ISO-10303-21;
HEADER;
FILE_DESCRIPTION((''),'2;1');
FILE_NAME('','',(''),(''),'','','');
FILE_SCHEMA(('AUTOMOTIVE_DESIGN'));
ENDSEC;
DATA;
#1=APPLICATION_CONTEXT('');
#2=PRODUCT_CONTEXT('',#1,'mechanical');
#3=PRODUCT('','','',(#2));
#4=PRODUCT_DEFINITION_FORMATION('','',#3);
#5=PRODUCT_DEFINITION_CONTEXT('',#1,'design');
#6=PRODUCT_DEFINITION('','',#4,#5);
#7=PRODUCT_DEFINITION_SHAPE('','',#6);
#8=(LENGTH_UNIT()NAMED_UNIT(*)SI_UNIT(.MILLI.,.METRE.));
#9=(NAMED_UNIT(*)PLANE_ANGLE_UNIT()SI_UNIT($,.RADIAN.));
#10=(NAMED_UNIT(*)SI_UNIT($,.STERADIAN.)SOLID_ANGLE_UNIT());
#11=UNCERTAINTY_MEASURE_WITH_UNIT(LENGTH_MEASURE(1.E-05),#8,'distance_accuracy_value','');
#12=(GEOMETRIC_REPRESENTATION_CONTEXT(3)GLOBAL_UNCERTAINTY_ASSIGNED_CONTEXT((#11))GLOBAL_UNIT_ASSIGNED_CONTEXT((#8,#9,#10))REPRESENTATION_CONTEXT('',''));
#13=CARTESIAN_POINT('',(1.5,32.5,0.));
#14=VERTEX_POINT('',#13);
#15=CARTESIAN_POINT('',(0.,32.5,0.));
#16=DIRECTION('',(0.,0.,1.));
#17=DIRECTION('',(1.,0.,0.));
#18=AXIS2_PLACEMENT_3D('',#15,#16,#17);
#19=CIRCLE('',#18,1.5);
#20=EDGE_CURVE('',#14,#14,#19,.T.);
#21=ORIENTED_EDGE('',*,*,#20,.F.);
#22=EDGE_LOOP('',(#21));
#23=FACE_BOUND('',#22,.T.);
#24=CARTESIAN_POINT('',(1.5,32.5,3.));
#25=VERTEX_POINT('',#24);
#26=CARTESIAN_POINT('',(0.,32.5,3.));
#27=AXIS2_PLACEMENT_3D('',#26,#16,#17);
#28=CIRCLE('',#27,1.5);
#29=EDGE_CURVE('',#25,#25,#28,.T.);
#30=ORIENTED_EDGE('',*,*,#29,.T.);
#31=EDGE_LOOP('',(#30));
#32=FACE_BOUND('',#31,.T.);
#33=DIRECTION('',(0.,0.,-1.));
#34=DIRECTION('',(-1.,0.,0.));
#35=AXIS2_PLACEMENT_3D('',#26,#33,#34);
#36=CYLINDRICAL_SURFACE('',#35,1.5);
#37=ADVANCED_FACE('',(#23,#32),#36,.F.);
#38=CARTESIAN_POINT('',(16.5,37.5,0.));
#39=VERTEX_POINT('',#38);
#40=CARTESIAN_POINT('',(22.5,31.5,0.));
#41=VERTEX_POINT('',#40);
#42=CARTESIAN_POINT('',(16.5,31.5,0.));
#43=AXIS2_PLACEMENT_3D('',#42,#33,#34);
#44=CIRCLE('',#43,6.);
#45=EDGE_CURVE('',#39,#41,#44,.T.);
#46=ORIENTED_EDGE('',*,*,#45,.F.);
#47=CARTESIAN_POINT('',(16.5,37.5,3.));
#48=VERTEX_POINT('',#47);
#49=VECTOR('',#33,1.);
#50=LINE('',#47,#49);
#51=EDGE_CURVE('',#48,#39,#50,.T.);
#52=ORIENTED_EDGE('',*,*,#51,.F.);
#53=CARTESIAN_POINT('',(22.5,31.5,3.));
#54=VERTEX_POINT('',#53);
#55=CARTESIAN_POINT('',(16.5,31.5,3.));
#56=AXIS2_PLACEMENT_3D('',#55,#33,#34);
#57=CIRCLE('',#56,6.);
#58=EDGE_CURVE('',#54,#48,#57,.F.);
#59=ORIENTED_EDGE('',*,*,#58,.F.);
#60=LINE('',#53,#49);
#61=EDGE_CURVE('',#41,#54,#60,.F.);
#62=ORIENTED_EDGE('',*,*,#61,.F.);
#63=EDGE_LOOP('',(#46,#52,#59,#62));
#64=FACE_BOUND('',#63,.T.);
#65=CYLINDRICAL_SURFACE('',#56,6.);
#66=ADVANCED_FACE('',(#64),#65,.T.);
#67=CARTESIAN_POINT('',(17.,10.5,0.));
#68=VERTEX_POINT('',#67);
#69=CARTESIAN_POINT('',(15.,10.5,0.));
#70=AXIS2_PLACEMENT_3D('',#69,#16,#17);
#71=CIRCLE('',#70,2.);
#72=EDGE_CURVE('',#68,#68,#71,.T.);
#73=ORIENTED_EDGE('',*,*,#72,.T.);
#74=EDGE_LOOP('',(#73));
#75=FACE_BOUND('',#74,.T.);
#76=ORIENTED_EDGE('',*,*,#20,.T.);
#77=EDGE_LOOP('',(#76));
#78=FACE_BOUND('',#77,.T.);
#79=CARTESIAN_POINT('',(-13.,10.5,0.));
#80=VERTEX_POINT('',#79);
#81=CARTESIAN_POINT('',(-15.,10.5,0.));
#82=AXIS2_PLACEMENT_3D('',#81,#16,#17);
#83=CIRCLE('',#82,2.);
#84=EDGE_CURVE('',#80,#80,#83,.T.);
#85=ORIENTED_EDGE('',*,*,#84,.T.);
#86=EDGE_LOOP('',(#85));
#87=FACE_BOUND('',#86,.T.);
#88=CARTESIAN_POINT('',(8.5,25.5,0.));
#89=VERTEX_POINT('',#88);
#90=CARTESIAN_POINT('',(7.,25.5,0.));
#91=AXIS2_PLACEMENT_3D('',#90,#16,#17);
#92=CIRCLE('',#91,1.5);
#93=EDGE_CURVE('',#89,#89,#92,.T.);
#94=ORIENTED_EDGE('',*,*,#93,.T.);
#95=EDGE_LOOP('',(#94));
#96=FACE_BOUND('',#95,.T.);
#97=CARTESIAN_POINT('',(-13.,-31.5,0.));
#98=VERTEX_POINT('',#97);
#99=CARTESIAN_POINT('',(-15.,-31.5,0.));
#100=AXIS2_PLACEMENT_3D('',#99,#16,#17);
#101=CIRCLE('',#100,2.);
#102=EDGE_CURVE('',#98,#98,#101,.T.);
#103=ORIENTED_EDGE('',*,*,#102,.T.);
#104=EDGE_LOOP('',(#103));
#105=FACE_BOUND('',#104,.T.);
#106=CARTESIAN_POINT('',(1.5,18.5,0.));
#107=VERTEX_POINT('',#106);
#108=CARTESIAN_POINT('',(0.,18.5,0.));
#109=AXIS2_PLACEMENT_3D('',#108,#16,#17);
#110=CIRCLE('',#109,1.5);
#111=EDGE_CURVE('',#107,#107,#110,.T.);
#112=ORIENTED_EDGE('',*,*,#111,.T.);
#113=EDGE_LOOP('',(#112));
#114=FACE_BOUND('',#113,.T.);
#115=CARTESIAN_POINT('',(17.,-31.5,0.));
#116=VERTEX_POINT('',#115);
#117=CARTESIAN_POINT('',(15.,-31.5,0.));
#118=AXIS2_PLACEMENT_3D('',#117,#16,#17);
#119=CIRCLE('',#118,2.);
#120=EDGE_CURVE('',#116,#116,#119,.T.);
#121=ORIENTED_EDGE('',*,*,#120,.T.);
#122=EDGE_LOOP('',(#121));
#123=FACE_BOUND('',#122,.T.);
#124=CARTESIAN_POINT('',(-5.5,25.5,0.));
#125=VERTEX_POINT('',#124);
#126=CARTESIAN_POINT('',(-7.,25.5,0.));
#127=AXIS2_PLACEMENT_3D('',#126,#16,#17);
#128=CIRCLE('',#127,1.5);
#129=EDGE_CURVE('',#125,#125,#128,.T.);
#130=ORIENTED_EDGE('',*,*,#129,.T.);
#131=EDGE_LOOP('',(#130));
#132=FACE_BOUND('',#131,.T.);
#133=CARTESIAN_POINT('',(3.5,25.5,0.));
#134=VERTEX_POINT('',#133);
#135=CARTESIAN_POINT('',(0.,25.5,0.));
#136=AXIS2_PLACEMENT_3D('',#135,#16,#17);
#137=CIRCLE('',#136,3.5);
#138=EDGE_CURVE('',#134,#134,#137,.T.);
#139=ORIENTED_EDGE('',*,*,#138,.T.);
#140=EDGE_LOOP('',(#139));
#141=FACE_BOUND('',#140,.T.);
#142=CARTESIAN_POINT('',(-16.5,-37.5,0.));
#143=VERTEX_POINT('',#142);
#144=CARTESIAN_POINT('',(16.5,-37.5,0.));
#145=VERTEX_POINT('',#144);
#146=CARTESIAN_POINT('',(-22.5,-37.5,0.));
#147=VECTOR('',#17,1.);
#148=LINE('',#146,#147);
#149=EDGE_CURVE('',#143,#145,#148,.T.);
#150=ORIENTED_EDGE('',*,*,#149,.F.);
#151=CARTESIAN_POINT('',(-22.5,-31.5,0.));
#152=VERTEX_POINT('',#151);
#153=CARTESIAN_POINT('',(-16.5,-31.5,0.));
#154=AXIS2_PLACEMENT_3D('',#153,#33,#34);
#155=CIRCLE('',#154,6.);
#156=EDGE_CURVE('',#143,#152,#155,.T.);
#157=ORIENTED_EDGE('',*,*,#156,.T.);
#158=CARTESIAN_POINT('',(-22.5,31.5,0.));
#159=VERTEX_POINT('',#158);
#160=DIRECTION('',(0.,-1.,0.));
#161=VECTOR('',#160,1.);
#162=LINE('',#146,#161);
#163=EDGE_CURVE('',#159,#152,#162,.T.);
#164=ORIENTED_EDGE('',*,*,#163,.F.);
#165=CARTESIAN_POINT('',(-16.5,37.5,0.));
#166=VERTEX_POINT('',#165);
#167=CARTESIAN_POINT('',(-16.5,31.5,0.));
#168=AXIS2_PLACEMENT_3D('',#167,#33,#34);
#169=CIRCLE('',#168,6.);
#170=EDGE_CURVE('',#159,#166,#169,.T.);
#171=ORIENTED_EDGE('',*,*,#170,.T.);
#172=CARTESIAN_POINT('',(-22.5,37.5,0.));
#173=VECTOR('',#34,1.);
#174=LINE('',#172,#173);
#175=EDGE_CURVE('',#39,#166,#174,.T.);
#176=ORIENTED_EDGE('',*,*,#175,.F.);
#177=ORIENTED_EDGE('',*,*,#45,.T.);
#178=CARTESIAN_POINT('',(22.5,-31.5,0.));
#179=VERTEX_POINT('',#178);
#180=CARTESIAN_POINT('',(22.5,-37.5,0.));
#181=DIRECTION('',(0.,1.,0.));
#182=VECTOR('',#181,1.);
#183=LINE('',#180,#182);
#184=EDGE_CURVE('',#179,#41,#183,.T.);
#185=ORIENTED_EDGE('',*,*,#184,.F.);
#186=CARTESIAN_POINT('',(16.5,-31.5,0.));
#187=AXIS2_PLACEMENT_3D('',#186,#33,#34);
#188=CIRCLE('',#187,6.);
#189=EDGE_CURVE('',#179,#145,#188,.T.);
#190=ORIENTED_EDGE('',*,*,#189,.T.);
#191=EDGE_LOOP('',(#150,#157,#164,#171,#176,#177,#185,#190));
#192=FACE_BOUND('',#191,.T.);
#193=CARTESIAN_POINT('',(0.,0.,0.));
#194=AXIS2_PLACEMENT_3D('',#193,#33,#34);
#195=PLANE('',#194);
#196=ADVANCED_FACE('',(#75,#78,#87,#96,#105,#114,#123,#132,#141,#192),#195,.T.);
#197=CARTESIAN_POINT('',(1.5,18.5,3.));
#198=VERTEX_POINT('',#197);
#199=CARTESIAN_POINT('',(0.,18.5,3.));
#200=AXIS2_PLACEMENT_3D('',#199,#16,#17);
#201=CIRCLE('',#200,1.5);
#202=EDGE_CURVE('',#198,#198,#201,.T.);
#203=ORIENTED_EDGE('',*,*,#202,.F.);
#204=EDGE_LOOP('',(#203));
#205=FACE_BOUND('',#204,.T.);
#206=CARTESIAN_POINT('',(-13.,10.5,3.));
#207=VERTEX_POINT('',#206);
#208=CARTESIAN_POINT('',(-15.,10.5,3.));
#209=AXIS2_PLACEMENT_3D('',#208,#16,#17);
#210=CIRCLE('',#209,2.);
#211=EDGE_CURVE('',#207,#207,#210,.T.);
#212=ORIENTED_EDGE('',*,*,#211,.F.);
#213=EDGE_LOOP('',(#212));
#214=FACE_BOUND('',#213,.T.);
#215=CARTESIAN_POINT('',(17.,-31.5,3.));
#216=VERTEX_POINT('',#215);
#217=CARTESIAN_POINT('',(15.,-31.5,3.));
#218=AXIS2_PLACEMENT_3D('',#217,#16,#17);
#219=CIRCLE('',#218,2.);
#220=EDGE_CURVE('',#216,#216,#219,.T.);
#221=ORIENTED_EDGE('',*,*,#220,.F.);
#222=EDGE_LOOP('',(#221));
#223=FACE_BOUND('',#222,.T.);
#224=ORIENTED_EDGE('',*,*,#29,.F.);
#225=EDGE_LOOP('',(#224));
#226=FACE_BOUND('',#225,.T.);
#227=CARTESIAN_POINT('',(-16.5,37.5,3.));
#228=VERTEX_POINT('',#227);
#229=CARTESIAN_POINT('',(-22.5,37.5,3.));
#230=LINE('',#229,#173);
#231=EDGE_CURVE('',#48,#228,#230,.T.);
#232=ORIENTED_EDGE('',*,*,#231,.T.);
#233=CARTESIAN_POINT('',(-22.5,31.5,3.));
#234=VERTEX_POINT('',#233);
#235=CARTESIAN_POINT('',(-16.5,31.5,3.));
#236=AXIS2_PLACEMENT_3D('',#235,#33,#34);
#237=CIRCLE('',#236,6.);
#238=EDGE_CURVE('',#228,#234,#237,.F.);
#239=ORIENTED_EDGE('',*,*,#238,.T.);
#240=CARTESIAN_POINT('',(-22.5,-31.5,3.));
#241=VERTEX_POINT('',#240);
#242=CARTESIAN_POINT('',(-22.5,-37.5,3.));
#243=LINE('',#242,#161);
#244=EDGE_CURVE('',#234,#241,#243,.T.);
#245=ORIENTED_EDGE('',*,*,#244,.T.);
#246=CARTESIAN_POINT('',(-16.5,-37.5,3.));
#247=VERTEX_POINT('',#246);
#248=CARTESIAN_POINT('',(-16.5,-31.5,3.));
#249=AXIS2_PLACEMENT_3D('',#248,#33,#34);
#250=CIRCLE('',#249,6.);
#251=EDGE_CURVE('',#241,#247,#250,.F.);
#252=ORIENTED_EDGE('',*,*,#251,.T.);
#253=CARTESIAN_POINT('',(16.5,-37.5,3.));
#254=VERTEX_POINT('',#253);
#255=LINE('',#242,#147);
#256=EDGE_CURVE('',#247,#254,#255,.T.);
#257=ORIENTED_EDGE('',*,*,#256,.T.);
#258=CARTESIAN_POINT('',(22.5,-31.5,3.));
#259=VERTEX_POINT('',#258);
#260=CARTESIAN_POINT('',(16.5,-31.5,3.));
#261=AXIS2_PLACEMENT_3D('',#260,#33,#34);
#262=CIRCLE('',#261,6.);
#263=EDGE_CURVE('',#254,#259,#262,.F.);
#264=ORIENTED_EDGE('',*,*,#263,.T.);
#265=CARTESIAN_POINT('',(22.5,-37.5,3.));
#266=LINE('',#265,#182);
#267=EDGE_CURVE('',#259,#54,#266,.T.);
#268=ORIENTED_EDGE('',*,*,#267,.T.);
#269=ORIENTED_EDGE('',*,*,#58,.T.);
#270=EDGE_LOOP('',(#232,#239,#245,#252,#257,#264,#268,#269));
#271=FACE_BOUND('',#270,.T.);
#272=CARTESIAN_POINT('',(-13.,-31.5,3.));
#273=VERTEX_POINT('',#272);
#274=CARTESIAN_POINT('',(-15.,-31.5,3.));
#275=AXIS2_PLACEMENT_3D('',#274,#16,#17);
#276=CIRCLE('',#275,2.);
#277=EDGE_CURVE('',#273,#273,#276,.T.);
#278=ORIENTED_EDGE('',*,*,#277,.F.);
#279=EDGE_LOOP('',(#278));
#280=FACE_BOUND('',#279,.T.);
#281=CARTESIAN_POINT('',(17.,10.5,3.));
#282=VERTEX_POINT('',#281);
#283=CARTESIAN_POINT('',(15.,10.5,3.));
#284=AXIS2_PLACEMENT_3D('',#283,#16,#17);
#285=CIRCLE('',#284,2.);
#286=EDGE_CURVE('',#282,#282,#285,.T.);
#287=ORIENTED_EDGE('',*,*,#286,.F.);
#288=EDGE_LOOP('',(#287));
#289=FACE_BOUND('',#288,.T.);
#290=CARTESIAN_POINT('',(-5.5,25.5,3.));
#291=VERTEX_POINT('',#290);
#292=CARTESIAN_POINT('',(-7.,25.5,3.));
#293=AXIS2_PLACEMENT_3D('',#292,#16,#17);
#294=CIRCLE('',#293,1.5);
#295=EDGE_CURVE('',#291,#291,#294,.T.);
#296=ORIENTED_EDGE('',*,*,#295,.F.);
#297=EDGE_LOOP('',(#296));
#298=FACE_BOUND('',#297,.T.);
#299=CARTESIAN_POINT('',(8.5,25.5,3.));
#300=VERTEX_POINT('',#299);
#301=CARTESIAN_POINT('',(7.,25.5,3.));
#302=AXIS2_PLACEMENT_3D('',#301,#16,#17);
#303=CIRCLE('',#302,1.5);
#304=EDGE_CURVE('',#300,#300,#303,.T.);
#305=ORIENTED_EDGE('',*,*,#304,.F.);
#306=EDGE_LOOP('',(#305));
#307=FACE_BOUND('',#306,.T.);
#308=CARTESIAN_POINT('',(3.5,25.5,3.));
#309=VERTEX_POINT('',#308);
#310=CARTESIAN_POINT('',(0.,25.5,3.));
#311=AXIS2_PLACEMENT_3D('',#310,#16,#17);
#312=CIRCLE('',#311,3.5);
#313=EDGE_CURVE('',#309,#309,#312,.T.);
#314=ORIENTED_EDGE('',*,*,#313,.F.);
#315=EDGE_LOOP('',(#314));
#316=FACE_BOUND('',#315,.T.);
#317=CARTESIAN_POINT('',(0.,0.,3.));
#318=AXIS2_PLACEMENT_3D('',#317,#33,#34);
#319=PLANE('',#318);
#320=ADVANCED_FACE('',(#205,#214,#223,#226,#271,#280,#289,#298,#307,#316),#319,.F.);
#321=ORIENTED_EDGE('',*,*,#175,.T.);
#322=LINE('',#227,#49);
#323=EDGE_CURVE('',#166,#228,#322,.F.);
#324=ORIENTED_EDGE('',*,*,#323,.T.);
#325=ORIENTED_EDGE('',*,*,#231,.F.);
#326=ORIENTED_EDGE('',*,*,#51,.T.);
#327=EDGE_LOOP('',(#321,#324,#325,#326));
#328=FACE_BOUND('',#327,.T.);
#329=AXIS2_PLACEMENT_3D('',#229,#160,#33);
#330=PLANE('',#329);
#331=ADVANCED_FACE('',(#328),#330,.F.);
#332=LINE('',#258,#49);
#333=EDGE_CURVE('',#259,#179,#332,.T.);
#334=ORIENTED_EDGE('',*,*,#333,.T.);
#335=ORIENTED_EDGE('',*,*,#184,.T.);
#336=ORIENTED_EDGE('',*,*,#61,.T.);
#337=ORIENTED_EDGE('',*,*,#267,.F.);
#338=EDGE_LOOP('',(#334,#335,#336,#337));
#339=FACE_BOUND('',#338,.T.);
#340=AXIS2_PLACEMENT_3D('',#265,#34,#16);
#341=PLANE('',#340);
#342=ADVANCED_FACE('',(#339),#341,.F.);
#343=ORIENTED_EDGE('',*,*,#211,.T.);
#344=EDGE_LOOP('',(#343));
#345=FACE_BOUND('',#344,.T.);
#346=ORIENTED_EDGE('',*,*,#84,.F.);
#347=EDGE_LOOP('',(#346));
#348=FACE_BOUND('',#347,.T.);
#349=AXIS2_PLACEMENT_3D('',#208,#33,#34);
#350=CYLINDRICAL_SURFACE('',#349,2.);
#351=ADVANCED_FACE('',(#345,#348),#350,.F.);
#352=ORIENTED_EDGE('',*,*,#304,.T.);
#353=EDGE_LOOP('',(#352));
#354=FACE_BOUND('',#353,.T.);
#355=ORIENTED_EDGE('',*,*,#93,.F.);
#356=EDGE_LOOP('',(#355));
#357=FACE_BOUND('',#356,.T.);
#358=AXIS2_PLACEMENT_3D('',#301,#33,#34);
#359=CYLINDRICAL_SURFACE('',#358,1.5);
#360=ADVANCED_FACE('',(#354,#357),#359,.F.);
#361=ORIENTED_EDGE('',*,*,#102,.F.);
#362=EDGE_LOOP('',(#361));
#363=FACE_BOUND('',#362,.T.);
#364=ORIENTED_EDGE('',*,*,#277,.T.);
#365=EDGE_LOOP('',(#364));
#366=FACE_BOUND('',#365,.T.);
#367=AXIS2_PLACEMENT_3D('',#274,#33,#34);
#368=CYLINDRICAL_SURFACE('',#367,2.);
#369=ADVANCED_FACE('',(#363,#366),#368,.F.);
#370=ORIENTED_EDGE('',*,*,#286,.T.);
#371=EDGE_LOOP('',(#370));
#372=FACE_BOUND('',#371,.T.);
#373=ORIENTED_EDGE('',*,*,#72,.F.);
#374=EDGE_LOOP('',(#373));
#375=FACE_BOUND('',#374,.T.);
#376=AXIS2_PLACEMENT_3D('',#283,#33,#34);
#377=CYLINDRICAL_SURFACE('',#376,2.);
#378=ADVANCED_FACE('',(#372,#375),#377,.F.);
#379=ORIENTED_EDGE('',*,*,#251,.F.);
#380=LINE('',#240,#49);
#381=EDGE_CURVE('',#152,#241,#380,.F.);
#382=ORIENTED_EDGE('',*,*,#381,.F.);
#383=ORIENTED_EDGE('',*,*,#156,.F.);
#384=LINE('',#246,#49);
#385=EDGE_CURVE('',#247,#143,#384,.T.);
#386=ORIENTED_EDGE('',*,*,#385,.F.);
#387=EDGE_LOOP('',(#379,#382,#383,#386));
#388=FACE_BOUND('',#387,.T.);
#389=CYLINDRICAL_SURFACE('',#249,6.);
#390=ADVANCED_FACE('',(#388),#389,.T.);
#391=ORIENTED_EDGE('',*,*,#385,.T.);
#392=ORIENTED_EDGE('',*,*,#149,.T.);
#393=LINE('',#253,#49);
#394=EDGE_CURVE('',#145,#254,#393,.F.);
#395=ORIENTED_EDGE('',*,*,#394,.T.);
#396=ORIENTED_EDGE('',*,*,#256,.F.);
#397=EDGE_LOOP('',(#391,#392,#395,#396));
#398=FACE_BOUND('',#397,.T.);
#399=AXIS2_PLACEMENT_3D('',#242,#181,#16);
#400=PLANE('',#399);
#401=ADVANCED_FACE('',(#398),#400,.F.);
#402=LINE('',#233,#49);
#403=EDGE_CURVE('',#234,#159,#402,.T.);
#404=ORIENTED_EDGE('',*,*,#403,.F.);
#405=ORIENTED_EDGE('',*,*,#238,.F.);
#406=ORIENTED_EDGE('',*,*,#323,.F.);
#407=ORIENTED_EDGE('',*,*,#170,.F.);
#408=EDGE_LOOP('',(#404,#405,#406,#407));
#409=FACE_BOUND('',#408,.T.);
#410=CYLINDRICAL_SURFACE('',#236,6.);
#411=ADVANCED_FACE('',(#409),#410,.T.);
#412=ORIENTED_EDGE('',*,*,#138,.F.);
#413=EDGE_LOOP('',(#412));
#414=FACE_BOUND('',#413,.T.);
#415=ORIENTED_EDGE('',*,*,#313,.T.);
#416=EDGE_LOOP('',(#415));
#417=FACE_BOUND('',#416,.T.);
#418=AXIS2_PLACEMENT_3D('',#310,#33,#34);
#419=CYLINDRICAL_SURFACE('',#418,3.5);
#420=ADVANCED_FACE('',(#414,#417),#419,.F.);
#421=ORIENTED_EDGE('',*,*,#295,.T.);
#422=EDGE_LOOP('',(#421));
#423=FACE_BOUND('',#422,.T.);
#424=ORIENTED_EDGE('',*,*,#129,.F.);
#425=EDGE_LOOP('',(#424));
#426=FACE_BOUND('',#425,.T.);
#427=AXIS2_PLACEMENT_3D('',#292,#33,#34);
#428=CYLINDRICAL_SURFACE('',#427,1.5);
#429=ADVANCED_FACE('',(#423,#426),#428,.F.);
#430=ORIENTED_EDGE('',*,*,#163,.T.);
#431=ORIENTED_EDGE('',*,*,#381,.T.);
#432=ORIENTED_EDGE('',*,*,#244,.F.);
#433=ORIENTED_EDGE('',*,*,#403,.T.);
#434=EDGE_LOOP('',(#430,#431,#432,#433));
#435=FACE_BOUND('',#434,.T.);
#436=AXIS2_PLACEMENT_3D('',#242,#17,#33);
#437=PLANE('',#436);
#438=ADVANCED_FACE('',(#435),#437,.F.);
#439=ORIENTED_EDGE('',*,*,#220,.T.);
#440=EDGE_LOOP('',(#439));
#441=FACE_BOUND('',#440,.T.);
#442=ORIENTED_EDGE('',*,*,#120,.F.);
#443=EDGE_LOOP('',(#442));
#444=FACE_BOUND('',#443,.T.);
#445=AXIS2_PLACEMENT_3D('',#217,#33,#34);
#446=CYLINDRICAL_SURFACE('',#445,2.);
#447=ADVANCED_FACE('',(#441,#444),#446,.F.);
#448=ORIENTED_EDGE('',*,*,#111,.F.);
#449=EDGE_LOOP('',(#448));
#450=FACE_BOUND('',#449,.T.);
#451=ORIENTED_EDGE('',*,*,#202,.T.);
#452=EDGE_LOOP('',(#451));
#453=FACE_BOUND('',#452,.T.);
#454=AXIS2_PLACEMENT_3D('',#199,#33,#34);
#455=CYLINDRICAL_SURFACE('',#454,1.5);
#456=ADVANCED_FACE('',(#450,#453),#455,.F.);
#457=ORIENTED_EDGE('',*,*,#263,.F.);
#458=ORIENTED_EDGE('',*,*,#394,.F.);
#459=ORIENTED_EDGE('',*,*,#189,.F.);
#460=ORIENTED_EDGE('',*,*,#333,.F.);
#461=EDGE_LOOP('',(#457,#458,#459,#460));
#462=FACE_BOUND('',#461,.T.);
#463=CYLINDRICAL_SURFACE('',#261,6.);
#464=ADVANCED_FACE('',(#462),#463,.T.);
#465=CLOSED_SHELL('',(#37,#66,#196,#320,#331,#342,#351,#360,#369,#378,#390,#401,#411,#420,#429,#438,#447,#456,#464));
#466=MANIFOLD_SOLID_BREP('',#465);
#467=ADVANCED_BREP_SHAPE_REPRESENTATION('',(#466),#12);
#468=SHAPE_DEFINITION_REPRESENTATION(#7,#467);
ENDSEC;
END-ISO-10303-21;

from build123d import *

# Parameters (mm, degrees)
SKETCH_1_W      = 45
SKETCH_1_H      = 75
SKETCH_1_R      = 2
SKETCH_1_R_2    = 1.5
SKETCH_1_R_3    = 3.5
EXTRUDE_1_DEPTH = 3
FILLET_1_R      = 6


with BuildPart() as part:
    # 草图1 → 凸台-拉伸1 (new body)
    with BuildSketch(Plane.XY):
        Rectangle(SKETCH_1_W, SKETCH_1_H)
        with Locations((-15, 10.5)):
            Circle(SKETCH_1_R, mode=Mode.SUBTRACT)
        with Locations((15, 10.5)):
            Circle(SKETCH_1_R, mode=Mode.SUBTRACT)
        with Locations((15, -31.5)):
            Circle(SKETCH_1_R, mode=Mode.SUBTRACT)
        with Locations((-15, -31.5)):
            Circle(SKETCH_1_R, mode=Mode.SUBTRACT)
        with Locations((0, 32.5)):
            Circle(SKETCH_1_R_2, mode=Mode.SUBTRACT)
        with Locations((7, 25.5)):
            Circle(SKETCH_1_R_2, mode=Mode.SUBTRACT)
        with Locations((0, 18.5)):
            Circle(SKETCH_1_R_2, mode=Mode.SUBTRACT)
        with Locations((-7, 25.5)):
            Circle(SKETCH_1_R_2, mode=Mode.SUBTRACT)
        with Locations((0, 25.5)):
            Circle(SKETCH_1_R_3, mode=Mode.SUBTRACT)
    extrude(amount=EXTRUDE_1_DEPTH)

    # 圆角1
    fillet_1_edges = [part.edges().sort_by_distance(p)[0] for p in [
        (22.5, -37.5, 1.5),
        (-22.5, -37.5, 1.5),
        (-22.5, 37.5, 1.5),
        (22.5, 37.5, 1.5),
    ]]
    fillet(fillet_1_edges, radius=FILLET_1_R)


solid = part.part
